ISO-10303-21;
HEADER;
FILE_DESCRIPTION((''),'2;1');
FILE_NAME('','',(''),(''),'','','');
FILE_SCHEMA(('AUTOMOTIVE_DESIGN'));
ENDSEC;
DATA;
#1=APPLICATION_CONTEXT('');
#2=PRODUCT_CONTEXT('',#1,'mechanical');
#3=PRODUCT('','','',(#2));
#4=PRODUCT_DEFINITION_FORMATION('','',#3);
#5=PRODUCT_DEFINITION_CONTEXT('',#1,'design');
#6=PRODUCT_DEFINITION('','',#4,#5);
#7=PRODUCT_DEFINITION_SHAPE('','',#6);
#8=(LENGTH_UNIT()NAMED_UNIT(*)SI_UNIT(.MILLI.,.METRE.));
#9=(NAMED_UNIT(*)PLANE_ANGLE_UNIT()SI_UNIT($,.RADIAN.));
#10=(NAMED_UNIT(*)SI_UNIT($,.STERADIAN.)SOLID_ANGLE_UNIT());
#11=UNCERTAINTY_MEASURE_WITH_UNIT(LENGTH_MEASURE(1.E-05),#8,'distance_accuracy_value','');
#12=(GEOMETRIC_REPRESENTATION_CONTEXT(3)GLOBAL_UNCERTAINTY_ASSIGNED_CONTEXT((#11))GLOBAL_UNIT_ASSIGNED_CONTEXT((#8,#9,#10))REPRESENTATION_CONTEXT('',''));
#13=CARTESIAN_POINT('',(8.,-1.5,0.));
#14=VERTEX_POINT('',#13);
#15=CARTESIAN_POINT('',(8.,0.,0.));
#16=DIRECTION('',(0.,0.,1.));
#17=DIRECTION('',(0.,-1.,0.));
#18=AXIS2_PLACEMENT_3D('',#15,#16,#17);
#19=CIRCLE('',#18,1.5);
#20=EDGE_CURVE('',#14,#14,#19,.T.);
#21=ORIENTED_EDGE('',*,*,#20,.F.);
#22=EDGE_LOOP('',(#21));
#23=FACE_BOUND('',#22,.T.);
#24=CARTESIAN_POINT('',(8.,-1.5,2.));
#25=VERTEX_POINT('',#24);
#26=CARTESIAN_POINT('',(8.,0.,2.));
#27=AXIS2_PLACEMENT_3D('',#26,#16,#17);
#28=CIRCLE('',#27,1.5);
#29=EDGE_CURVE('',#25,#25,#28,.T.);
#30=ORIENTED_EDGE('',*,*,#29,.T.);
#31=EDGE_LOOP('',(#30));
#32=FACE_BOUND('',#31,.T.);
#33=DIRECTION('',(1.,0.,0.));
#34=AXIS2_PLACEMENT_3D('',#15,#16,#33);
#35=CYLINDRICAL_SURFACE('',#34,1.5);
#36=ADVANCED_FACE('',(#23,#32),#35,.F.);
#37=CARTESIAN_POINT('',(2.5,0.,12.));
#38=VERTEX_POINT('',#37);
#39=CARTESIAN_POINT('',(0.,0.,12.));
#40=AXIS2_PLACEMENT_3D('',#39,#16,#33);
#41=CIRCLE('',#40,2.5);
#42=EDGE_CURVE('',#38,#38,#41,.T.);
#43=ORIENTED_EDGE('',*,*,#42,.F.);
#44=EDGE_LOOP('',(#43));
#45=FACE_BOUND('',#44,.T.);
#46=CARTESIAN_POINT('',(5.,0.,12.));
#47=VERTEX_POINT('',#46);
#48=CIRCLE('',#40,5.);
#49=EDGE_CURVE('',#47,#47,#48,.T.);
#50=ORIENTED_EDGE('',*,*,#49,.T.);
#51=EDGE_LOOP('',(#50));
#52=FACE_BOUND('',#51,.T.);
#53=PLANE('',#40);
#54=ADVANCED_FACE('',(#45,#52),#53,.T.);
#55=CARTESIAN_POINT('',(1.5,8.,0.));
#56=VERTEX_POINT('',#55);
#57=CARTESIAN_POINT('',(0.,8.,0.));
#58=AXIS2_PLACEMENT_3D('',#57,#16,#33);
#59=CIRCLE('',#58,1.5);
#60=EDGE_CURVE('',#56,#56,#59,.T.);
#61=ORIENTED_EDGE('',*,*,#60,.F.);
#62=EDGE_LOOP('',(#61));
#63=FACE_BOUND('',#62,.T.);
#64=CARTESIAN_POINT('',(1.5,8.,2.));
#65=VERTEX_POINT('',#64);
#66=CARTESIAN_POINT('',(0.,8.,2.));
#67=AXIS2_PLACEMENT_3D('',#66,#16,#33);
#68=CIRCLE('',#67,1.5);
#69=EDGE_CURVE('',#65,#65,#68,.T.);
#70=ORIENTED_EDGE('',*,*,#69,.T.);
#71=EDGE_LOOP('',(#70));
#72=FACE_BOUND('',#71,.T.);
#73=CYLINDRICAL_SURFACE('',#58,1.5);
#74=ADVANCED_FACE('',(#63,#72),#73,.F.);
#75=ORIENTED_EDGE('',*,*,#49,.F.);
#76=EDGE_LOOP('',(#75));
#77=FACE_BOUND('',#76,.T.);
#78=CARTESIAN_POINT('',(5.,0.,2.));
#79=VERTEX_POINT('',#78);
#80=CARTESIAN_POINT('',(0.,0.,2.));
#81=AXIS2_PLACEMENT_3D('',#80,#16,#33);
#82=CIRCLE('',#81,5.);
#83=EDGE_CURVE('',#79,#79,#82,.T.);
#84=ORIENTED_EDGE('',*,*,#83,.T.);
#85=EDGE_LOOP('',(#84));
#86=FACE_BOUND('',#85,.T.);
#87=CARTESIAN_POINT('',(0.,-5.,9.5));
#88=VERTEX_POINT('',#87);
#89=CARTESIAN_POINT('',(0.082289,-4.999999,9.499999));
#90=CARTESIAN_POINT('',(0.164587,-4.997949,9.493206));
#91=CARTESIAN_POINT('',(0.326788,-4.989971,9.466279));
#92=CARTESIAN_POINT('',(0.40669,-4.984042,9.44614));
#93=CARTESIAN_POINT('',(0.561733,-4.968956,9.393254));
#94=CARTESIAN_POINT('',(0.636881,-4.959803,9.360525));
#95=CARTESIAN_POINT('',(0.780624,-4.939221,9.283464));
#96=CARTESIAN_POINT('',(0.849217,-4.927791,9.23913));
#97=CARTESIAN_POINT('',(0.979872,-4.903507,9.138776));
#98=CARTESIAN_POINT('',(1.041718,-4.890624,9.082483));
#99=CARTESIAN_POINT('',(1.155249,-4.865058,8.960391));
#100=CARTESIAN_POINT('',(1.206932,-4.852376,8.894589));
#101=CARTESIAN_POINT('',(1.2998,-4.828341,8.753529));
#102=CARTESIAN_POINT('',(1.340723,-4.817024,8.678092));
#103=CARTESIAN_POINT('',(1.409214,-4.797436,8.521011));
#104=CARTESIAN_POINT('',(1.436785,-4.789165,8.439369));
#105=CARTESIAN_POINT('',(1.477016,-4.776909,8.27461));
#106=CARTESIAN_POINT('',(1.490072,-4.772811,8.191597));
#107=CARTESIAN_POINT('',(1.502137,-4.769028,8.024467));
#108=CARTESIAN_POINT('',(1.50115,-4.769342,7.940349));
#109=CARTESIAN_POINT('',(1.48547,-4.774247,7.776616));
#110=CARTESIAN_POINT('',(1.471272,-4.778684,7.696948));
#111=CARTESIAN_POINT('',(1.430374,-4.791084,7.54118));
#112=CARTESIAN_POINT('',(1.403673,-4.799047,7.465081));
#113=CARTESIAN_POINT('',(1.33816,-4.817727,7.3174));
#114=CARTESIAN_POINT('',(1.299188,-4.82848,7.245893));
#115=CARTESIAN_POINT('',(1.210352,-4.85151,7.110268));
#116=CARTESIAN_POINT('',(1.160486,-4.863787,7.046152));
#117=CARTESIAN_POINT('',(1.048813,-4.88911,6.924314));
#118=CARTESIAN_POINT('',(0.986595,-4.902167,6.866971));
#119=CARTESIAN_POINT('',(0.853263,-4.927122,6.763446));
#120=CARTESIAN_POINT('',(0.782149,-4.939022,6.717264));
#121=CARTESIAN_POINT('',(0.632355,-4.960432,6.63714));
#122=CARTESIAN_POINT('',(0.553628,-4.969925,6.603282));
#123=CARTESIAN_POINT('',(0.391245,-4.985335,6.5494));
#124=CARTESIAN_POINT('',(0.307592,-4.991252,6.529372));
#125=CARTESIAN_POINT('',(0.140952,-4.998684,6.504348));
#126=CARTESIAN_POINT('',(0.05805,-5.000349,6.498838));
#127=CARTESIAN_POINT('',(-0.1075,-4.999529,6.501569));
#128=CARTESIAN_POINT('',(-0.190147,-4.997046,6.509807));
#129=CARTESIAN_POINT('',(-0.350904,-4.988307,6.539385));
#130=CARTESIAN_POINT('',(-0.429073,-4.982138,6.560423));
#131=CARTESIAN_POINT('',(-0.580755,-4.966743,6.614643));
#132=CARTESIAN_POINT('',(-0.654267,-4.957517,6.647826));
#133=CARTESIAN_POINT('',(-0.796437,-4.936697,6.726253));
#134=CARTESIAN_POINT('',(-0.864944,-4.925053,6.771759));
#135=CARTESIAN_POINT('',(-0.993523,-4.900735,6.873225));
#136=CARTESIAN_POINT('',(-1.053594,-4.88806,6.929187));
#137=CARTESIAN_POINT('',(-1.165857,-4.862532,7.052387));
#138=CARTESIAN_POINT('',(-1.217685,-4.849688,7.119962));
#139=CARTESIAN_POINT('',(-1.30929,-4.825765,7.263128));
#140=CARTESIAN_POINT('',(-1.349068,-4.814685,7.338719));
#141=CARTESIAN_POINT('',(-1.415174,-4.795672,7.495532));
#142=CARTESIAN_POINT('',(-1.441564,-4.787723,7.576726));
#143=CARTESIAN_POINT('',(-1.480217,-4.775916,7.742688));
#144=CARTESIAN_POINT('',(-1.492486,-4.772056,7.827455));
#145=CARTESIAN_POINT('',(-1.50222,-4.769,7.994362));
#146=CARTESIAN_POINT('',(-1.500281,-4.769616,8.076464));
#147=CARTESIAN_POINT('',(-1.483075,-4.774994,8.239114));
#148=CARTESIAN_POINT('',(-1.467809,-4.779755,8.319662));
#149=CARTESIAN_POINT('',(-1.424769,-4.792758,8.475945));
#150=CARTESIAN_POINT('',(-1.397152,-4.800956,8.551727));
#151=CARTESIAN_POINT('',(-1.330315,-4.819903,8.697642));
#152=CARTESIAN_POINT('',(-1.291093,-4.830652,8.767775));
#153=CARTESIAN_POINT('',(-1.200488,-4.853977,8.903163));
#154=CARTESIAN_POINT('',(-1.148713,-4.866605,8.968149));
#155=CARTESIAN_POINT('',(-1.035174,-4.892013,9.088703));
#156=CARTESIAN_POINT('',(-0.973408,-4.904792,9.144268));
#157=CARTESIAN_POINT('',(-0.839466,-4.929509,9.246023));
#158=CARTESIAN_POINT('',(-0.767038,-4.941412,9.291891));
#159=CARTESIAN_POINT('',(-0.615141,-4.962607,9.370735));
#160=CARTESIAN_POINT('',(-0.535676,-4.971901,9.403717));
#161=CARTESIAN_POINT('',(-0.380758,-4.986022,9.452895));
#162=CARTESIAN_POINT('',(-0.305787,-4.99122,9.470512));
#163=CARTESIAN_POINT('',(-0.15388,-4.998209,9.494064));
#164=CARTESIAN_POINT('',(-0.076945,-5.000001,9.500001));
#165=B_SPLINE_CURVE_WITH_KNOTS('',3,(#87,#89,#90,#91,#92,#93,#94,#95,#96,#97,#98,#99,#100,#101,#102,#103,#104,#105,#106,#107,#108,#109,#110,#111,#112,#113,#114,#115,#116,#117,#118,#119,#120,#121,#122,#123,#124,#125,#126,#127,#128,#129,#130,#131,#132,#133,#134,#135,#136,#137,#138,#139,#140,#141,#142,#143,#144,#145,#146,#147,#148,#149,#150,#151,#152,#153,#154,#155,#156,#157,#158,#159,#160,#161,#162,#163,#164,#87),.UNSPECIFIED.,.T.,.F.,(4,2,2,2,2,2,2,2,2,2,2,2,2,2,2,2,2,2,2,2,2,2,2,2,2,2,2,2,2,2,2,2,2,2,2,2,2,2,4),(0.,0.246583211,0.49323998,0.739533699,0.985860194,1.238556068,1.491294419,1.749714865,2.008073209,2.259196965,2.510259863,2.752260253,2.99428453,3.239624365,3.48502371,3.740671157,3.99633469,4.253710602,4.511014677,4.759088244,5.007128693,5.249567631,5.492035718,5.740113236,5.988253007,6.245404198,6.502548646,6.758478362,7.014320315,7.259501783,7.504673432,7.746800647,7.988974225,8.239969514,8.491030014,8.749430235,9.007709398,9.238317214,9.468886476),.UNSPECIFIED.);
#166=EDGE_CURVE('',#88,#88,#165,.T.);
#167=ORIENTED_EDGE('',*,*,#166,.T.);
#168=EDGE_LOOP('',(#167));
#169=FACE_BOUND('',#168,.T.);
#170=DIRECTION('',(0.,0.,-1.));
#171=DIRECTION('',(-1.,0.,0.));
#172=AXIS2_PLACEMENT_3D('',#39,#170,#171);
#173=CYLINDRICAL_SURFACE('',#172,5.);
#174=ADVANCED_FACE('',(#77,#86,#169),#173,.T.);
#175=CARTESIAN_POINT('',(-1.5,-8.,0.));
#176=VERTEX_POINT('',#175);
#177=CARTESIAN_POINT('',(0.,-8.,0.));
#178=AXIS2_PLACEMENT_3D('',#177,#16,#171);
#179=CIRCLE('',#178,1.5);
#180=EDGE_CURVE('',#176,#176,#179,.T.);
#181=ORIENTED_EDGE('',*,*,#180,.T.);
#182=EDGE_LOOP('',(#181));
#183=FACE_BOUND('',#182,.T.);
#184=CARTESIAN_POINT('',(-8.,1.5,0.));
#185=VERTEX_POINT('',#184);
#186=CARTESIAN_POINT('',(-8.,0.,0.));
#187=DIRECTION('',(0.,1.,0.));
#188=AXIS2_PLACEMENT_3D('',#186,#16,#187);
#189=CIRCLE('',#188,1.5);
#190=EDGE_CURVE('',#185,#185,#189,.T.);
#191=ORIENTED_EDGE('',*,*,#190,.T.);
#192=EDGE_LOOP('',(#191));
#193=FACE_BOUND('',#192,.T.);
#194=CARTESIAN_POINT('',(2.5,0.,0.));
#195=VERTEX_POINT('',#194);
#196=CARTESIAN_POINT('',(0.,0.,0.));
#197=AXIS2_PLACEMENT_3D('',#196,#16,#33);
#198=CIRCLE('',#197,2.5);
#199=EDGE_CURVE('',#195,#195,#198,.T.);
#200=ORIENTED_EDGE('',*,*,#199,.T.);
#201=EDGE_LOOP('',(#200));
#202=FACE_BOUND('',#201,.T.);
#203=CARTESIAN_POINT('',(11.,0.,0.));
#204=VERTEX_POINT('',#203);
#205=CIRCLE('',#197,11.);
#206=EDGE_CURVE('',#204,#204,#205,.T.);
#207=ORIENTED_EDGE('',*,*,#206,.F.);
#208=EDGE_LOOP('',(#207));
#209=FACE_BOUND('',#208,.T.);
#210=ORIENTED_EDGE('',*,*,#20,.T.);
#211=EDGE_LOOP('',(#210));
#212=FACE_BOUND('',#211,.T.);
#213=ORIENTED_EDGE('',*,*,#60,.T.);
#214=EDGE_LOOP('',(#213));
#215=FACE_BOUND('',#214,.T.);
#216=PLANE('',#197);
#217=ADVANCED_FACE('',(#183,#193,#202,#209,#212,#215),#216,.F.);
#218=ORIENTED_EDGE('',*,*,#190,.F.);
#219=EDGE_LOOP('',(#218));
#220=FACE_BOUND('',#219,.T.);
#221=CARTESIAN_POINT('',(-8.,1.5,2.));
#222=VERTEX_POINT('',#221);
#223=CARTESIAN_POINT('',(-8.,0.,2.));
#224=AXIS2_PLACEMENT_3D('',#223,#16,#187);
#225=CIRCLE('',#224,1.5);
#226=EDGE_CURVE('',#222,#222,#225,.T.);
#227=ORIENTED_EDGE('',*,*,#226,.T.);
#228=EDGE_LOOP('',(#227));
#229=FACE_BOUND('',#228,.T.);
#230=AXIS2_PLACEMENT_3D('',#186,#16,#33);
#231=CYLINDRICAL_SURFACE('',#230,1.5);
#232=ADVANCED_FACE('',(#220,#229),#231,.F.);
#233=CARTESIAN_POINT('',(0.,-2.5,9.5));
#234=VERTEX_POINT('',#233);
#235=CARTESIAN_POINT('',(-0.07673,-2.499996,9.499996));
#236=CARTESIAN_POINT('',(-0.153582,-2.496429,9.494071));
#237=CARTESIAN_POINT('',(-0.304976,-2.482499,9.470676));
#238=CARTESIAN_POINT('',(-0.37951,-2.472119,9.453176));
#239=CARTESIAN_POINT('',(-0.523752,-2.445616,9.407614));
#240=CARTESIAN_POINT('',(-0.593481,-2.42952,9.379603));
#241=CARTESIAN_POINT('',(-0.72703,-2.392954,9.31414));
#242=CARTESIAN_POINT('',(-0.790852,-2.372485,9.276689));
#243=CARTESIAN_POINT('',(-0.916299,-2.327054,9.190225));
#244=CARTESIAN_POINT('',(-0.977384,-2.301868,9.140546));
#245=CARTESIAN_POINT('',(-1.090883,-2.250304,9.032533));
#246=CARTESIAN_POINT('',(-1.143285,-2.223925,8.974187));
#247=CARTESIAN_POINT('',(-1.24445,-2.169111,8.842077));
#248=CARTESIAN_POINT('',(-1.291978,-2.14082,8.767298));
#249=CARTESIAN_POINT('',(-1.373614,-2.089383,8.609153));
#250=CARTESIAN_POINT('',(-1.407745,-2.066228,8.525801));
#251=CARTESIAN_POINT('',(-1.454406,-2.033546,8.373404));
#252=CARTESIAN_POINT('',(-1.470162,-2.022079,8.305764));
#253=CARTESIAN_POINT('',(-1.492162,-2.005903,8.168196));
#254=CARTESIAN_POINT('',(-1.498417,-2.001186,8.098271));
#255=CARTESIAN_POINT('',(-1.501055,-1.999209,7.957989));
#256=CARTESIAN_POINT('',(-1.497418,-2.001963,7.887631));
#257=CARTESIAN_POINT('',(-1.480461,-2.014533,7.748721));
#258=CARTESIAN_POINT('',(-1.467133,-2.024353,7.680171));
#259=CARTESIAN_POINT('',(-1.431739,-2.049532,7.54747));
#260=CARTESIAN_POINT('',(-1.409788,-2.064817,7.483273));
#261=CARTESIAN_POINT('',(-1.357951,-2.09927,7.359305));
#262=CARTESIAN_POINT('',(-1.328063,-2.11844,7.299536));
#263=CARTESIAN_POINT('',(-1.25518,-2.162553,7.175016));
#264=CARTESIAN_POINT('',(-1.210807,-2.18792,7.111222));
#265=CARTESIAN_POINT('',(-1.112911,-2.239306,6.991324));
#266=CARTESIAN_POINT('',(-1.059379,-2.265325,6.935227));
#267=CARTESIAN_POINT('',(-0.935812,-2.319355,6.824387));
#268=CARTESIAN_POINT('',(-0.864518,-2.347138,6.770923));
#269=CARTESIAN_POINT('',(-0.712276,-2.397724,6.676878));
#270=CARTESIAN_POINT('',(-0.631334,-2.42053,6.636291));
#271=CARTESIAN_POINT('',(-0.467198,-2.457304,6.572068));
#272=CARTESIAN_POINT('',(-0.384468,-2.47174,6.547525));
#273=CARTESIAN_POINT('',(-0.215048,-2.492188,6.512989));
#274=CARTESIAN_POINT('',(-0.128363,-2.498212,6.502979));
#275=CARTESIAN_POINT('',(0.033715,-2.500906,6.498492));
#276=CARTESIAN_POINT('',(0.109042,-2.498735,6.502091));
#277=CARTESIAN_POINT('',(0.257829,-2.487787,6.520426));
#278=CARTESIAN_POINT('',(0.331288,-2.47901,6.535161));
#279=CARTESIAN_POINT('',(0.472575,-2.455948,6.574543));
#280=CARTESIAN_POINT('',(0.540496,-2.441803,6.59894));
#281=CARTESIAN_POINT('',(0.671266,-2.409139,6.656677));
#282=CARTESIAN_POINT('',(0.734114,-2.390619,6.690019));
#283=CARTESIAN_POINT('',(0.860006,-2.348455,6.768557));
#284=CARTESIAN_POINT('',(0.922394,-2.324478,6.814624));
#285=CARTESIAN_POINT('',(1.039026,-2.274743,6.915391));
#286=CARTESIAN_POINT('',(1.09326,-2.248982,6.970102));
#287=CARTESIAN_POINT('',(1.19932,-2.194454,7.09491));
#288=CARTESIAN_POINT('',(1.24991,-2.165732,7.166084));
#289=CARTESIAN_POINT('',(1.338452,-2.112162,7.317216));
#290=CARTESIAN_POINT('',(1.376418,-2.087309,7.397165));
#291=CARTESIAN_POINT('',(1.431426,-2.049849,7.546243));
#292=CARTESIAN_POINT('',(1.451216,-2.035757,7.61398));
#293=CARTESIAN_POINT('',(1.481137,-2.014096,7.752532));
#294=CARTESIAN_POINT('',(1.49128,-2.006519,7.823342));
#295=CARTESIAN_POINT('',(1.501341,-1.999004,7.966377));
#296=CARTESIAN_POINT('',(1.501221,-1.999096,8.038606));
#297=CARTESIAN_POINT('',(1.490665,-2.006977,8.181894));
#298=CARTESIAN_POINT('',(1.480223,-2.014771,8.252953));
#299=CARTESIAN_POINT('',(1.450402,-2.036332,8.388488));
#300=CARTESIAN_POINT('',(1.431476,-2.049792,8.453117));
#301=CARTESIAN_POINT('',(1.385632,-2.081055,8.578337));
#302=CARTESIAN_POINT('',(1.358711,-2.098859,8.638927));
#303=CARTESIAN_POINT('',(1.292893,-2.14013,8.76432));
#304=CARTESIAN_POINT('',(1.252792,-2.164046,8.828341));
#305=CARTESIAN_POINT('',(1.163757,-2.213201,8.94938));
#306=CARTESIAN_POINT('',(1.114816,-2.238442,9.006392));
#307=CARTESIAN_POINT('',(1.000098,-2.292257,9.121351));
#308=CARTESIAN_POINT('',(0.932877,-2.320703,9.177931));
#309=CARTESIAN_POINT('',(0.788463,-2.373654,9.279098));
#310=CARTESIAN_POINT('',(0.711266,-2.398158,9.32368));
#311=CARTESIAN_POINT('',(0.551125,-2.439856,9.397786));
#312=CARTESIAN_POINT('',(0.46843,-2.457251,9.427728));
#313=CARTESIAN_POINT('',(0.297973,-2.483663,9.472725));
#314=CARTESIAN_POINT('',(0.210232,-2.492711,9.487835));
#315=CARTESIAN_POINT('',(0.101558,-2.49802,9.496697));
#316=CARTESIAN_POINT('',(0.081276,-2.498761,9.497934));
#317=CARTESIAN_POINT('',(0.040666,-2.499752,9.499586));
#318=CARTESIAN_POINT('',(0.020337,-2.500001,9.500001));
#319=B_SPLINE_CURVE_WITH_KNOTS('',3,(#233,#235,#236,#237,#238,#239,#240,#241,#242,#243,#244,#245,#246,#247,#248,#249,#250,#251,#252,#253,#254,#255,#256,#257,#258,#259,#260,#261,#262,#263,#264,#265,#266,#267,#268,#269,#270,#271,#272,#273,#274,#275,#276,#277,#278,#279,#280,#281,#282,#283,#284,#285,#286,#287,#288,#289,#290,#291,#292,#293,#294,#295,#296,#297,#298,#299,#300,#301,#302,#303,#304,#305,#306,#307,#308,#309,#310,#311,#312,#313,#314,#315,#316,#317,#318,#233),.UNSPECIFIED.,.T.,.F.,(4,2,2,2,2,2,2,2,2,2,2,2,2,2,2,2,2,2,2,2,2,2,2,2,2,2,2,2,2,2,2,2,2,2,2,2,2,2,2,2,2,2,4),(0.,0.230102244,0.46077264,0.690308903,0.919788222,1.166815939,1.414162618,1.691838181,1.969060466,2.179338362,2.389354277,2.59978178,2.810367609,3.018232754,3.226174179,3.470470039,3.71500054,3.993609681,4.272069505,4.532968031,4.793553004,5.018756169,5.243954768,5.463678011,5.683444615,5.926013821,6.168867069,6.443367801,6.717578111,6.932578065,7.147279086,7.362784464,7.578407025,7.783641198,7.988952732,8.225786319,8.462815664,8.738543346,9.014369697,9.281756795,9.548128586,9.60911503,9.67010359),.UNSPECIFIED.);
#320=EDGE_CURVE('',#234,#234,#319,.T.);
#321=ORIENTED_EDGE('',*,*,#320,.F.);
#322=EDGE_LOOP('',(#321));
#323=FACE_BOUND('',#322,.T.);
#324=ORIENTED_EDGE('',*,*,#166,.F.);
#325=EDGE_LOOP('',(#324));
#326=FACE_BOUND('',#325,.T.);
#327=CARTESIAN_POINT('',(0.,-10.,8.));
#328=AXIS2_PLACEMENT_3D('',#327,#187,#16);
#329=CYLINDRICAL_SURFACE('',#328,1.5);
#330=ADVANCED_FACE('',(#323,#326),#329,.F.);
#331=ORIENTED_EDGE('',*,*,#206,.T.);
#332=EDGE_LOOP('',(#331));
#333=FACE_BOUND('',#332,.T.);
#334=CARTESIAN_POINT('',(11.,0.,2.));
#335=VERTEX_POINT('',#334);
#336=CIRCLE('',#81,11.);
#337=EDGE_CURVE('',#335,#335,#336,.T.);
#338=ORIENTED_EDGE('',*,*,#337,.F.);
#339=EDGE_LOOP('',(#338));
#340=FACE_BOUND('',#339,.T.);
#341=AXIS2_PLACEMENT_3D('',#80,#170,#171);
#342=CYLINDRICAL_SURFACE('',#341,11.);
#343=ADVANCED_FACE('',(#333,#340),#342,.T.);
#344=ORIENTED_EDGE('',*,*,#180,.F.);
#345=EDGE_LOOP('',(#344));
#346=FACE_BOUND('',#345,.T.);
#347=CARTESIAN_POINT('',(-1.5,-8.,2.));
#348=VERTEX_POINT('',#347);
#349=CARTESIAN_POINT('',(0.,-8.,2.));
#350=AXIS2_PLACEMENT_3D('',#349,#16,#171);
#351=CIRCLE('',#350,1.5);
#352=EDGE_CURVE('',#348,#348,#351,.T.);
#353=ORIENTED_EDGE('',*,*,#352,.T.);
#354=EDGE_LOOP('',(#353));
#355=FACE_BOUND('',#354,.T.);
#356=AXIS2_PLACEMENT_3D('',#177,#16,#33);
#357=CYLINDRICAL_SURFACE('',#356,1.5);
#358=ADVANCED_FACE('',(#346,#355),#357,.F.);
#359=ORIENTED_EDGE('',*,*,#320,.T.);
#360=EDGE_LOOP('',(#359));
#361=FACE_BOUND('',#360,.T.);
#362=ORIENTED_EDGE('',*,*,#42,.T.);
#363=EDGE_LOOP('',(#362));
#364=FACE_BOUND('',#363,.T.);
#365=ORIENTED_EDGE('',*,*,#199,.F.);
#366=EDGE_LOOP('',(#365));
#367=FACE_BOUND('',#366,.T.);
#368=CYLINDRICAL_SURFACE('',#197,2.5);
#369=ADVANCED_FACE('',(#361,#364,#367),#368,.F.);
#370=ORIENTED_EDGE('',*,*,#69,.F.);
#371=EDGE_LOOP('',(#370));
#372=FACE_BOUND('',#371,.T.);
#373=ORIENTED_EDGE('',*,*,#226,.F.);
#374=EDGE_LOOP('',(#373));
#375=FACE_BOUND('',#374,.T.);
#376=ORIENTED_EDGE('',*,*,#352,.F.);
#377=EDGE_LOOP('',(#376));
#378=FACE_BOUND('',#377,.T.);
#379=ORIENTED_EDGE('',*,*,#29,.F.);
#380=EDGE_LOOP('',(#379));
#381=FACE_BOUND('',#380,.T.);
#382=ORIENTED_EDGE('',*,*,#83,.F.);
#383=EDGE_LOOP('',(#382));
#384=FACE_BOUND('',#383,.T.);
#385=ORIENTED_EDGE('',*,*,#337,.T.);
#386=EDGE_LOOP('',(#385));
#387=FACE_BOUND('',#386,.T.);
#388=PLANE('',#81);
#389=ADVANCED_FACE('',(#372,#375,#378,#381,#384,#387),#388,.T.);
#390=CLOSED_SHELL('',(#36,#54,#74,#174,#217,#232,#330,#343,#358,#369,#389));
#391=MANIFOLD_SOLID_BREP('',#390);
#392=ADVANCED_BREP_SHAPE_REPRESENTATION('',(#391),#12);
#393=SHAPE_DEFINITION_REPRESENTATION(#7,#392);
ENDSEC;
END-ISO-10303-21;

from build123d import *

# Parameters (mm, degrees)
SKETCH2_R           = 10.999999971
BOSS_EXTRUDE1_DEPTH = 2
SKETCH3_R           = 5
BOSS_EXTRUDE2_DEPTH = 10
SKETCH4_R           = 2.5
CUT_EXTRUDE1_DEPTH  = 20.646882672
SKETCH5_R           = 1.500000048
CUT_EXTRUDE2_DEPTH  = 10
SKETCH6_R           = 1.5
CUT_EXTRUDE3_DEPTH  = 19.493242028
CIRPATTERN1_COUNT   = 4


with BuildPart() as part:
    # Sketch2 → Boss-Extrude1 (new body)
    with BuildSketch(Plane.XY):
        Circle(SKETCH2_R)
    extrude(amount=BOSS_EXTRUDE1_DEPTH)

    # Sketch3 → Boss-Extrude2 (add)
    with BuildSketch(Plane.XY.offset(2)):
        Circle(SKETCH3_R)
    extrude(amount=BOSS_EXTRUDE2_DEPTH)

    # Sketch4 → Cut-Extrude1 (cut, through all)
    with BuildSketch(Plane.XY.offset(12)):
        Circle(SKETCH4_R)
    extrude(amount=-CUT_EXTRUDE1_DEPTH, mode=Mode.SUBTRACT)

    # Sketch5 → Cut-Extrude2 (cut)
    with BuildSketch(Plane(origin=(0, 0, 0), x_dir=(1, 0, 0), z_dir=(0, 1, 0))):
        with Locations(Location((0, -8, 0), (0, 0, 270))):
            Circle(SKETCH5_R)
    extrude(amount=-CUT_EXTRUDE2_DEPTH, mode=Mode.SUBTRACT)

    # Sketch6 → Cut-Extrude3 (cut, through all)
    with BuildSketch(Plane.XY.offset(2)):
        with Locations((0, 8)):
            Circle(SKETCH6_R)
    cut_extrude3 = extrude(amount=-CUT_EXTRUDE3_DEPTH, mode=Mode.SUBTRACT)

    # CirPattern1: Cut-Extrude3 ×4 about axis
    cirpattern1_axis = Axis((0, 0, 0), (0, 0, 1))
    for i in range(1, CIRPATTERN1_COUNT):
        add(cut_extrude3.rotate(cirpattern1_axis, i * 360 / CIRPATTERN1_COUNT), mode=Mode.SUBTRACT)


solid = part.part
